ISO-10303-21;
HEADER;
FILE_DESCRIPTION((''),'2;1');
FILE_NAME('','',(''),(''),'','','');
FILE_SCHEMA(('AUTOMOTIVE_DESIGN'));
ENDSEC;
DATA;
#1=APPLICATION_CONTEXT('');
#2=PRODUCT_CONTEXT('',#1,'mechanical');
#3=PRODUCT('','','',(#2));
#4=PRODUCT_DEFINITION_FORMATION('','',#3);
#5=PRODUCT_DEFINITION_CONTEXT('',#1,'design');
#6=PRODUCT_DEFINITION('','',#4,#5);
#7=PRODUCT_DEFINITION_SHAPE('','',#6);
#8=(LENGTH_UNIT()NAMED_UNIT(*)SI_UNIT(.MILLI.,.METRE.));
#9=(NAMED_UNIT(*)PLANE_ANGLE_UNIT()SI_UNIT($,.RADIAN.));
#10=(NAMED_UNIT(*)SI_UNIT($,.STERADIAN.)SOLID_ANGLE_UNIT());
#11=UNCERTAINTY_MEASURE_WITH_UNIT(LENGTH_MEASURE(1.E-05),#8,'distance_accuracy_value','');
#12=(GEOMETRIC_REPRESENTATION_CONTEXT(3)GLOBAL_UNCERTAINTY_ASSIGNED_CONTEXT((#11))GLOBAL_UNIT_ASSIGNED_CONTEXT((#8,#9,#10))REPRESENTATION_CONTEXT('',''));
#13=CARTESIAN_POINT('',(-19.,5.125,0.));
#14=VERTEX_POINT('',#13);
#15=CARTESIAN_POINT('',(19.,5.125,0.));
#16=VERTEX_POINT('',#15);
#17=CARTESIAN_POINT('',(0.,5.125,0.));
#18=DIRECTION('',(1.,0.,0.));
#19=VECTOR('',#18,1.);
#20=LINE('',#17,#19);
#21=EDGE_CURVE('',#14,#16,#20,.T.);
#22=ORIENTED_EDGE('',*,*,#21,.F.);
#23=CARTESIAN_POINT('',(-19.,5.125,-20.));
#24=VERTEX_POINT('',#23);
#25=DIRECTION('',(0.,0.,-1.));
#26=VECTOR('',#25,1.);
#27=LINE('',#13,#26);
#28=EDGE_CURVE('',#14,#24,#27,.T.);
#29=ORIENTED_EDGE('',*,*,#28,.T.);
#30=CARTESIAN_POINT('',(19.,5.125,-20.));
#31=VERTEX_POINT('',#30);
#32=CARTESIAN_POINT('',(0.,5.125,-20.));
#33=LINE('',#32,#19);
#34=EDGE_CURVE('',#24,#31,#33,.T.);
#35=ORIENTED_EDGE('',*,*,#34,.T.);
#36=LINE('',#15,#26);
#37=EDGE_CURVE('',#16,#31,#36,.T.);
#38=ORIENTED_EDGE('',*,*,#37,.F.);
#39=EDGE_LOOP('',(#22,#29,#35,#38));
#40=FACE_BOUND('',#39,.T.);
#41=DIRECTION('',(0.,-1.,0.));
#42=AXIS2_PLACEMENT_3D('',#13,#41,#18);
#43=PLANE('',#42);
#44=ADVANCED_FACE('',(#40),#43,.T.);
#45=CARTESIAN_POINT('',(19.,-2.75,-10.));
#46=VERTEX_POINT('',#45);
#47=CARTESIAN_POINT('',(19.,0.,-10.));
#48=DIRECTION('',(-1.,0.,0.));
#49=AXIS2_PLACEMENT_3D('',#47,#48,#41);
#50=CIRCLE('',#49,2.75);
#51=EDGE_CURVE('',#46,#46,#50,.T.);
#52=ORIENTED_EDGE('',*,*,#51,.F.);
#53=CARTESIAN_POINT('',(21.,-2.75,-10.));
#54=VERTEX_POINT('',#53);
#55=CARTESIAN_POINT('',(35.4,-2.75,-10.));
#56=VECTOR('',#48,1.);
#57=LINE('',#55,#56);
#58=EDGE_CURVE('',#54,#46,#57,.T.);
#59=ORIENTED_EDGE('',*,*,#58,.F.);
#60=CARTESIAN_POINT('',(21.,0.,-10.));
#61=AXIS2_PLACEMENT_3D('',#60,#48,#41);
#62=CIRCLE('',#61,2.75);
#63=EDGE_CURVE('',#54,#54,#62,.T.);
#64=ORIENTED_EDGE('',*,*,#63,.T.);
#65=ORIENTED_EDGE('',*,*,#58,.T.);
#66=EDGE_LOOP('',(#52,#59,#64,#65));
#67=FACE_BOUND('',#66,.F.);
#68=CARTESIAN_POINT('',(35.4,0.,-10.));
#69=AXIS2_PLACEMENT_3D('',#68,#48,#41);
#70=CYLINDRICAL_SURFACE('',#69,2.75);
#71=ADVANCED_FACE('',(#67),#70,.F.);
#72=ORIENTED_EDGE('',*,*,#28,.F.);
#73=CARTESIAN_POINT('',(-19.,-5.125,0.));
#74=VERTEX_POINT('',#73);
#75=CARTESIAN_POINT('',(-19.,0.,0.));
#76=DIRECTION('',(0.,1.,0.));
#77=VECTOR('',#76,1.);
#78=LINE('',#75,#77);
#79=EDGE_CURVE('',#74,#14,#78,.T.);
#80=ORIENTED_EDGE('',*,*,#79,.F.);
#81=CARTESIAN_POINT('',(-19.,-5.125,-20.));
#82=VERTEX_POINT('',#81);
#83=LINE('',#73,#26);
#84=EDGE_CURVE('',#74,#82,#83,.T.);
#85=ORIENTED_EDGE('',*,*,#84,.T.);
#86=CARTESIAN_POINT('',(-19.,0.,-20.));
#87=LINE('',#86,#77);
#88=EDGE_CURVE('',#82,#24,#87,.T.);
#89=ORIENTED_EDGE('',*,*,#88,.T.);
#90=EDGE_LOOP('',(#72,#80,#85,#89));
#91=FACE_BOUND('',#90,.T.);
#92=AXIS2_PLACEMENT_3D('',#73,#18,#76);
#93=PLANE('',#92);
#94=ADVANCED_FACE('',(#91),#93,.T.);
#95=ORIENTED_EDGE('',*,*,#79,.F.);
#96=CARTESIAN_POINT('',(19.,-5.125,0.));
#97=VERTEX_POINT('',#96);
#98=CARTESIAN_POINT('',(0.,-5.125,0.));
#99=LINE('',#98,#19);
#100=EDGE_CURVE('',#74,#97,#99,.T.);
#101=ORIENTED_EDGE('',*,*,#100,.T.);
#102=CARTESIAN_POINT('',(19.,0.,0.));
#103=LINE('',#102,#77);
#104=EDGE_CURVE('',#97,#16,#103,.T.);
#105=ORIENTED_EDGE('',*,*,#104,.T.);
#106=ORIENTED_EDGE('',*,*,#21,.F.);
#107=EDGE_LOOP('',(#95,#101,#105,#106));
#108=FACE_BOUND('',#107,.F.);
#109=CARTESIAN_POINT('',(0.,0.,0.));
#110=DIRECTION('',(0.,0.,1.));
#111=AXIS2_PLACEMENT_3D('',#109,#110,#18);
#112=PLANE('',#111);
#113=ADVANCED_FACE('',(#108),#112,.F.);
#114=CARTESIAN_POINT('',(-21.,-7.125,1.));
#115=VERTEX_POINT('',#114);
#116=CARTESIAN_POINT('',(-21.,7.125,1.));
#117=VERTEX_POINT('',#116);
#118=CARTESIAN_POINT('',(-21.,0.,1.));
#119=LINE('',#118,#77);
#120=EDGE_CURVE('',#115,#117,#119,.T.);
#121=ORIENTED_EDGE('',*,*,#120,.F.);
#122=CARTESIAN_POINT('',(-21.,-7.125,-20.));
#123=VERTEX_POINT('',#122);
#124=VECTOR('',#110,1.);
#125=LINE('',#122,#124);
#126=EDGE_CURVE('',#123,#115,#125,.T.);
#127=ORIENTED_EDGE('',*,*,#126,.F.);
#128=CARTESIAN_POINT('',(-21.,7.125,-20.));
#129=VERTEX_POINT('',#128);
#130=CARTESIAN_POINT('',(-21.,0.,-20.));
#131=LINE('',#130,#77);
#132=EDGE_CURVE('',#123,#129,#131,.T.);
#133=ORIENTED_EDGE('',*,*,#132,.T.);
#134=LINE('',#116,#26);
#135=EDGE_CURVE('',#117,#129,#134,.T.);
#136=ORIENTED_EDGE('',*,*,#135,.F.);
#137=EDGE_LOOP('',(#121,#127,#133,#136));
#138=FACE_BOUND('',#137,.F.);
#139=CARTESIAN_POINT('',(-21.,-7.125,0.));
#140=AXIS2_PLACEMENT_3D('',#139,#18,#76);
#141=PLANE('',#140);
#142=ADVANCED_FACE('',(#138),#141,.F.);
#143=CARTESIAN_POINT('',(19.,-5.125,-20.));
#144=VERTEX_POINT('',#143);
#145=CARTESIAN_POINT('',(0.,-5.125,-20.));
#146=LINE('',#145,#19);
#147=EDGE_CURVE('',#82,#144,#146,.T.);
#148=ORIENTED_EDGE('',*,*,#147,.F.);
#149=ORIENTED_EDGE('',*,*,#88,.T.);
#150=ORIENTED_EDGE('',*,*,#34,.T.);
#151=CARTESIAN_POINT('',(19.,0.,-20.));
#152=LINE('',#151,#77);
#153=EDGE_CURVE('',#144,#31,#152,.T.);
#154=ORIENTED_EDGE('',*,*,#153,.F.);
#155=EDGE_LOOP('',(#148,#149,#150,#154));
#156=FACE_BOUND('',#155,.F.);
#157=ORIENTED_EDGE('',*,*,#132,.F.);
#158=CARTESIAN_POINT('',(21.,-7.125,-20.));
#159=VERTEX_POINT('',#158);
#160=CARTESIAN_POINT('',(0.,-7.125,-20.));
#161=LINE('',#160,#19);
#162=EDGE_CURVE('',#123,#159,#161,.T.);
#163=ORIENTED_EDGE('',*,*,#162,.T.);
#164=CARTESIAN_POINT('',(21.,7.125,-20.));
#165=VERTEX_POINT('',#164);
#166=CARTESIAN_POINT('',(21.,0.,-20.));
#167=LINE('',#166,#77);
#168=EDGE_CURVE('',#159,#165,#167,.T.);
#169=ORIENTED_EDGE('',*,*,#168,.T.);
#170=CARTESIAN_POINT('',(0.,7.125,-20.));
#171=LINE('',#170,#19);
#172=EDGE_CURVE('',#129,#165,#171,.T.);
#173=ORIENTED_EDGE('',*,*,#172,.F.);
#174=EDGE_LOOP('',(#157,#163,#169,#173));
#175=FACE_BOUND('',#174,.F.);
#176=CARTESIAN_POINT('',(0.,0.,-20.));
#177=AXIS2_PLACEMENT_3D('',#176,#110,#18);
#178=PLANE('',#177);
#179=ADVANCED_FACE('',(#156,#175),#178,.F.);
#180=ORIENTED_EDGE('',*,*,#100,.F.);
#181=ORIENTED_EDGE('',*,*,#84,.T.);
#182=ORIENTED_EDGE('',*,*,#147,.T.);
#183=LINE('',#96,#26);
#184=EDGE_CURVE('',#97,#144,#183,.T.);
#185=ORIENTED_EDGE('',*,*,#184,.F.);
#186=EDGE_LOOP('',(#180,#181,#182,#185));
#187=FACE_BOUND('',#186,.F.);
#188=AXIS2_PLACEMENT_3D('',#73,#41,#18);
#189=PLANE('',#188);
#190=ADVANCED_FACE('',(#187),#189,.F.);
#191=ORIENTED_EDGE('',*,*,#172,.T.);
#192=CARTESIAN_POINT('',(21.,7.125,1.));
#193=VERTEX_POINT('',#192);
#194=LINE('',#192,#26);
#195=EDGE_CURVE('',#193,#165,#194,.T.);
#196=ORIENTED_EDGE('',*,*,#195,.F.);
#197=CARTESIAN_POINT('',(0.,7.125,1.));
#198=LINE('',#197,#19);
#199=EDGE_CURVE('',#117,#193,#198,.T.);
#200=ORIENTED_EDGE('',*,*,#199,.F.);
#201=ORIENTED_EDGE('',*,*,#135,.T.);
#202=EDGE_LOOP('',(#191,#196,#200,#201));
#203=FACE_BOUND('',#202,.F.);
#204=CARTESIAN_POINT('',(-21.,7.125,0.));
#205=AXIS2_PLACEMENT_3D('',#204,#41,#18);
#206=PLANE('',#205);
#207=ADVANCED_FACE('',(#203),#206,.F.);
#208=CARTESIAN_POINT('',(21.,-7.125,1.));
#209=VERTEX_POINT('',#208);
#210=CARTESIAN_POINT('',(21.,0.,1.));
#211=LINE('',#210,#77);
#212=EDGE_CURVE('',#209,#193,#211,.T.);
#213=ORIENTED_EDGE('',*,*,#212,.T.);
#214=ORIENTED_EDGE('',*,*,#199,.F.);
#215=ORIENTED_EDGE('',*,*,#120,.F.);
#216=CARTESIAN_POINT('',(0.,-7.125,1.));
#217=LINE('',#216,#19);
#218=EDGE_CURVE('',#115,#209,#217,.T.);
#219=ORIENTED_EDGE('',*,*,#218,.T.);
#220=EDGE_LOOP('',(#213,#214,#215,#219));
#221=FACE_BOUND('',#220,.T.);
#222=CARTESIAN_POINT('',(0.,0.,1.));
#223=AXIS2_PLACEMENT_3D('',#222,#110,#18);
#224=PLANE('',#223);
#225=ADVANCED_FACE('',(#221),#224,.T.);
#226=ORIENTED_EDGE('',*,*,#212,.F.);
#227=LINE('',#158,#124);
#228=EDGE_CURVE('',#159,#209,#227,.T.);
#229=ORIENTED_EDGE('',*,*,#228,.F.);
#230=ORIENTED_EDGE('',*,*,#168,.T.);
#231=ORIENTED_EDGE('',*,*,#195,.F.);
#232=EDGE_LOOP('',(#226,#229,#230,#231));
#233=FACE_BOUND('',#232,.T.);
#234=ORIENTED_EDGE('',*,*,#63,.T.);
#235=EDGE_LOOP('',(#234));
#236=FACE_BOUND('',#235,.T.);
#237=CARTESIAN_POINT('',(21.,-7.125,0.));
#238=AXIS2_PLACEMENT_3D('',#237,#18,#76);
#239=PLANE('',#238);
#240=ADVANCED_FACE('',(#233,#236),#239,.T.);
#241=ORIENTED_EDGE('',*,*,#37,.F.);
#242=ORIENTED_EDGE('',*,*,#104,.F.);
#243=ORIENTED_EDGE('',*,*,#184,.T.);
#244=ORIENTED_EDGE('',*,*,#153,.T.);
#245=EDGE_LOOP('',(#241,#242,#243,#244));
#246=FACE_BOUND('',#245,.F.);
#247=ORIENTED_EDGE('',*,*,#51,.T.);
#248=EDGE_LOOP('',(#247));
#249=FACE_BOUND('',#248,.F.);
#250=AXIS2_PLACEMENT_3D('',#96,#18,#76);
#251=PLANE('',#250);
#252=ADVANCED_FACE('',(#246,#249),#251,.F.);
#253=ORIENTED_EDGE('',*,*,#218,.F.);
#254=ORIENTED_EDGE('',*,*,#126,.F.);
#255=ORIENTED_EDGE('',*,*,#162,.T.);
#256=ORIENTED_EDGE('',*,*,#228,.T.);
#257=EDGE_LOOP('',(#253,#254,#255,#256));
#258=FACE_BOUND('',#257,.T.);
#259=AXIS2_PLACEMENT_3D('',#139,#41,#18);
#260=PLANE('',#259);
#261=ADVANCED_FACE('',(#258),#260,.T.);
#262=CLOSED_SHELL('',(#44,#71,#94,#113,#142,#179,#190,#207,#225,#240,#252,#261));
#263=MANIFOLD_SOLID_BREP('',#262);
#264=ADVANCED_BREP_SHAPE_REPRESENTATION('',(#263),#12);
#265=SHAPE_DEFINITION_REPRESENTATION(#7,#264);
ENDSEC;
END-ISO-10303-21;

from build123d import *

# Parameters (mm, degrees)
F0_W     = 42
F0_H     = 14.25
F0_W_2   = 38
F0_H_2   = 10.25
F1_DEPTH = 1
F2_DEPTH = 20
F4_D     = 5.5
F4_DEPTH = 14.4


with BuildPart() as f1:
    # F0 (on Top) → F1 (new body)
    with BuildSketch(Plane.XY):
        Rectangle(F0_W, F0_H)
        Rectangle(F0_W_2, F0_H_2, mode=Mode.SUBTRACT)
        Rectangle(F0_W_2, F0_H_2)
    extrude(amount=F1_DEPTH)

    # F0 (on Top) → F2 (join)
    with BuildSketch(Plane.XY):
        Rectangle(F0_W, F0_H)
        Rectangle(F0_W_2, F0_H_2, mode=Mode.SUBTRACT)
    extrude(amount=-F2_DEPTH)

    # F4
    with Locations(Plane.YZ.offset(21)):
        with Locations((0, -10)):
            Hole(F4_D / 2, depth=F4_DEPTH)


solid = f1.part
